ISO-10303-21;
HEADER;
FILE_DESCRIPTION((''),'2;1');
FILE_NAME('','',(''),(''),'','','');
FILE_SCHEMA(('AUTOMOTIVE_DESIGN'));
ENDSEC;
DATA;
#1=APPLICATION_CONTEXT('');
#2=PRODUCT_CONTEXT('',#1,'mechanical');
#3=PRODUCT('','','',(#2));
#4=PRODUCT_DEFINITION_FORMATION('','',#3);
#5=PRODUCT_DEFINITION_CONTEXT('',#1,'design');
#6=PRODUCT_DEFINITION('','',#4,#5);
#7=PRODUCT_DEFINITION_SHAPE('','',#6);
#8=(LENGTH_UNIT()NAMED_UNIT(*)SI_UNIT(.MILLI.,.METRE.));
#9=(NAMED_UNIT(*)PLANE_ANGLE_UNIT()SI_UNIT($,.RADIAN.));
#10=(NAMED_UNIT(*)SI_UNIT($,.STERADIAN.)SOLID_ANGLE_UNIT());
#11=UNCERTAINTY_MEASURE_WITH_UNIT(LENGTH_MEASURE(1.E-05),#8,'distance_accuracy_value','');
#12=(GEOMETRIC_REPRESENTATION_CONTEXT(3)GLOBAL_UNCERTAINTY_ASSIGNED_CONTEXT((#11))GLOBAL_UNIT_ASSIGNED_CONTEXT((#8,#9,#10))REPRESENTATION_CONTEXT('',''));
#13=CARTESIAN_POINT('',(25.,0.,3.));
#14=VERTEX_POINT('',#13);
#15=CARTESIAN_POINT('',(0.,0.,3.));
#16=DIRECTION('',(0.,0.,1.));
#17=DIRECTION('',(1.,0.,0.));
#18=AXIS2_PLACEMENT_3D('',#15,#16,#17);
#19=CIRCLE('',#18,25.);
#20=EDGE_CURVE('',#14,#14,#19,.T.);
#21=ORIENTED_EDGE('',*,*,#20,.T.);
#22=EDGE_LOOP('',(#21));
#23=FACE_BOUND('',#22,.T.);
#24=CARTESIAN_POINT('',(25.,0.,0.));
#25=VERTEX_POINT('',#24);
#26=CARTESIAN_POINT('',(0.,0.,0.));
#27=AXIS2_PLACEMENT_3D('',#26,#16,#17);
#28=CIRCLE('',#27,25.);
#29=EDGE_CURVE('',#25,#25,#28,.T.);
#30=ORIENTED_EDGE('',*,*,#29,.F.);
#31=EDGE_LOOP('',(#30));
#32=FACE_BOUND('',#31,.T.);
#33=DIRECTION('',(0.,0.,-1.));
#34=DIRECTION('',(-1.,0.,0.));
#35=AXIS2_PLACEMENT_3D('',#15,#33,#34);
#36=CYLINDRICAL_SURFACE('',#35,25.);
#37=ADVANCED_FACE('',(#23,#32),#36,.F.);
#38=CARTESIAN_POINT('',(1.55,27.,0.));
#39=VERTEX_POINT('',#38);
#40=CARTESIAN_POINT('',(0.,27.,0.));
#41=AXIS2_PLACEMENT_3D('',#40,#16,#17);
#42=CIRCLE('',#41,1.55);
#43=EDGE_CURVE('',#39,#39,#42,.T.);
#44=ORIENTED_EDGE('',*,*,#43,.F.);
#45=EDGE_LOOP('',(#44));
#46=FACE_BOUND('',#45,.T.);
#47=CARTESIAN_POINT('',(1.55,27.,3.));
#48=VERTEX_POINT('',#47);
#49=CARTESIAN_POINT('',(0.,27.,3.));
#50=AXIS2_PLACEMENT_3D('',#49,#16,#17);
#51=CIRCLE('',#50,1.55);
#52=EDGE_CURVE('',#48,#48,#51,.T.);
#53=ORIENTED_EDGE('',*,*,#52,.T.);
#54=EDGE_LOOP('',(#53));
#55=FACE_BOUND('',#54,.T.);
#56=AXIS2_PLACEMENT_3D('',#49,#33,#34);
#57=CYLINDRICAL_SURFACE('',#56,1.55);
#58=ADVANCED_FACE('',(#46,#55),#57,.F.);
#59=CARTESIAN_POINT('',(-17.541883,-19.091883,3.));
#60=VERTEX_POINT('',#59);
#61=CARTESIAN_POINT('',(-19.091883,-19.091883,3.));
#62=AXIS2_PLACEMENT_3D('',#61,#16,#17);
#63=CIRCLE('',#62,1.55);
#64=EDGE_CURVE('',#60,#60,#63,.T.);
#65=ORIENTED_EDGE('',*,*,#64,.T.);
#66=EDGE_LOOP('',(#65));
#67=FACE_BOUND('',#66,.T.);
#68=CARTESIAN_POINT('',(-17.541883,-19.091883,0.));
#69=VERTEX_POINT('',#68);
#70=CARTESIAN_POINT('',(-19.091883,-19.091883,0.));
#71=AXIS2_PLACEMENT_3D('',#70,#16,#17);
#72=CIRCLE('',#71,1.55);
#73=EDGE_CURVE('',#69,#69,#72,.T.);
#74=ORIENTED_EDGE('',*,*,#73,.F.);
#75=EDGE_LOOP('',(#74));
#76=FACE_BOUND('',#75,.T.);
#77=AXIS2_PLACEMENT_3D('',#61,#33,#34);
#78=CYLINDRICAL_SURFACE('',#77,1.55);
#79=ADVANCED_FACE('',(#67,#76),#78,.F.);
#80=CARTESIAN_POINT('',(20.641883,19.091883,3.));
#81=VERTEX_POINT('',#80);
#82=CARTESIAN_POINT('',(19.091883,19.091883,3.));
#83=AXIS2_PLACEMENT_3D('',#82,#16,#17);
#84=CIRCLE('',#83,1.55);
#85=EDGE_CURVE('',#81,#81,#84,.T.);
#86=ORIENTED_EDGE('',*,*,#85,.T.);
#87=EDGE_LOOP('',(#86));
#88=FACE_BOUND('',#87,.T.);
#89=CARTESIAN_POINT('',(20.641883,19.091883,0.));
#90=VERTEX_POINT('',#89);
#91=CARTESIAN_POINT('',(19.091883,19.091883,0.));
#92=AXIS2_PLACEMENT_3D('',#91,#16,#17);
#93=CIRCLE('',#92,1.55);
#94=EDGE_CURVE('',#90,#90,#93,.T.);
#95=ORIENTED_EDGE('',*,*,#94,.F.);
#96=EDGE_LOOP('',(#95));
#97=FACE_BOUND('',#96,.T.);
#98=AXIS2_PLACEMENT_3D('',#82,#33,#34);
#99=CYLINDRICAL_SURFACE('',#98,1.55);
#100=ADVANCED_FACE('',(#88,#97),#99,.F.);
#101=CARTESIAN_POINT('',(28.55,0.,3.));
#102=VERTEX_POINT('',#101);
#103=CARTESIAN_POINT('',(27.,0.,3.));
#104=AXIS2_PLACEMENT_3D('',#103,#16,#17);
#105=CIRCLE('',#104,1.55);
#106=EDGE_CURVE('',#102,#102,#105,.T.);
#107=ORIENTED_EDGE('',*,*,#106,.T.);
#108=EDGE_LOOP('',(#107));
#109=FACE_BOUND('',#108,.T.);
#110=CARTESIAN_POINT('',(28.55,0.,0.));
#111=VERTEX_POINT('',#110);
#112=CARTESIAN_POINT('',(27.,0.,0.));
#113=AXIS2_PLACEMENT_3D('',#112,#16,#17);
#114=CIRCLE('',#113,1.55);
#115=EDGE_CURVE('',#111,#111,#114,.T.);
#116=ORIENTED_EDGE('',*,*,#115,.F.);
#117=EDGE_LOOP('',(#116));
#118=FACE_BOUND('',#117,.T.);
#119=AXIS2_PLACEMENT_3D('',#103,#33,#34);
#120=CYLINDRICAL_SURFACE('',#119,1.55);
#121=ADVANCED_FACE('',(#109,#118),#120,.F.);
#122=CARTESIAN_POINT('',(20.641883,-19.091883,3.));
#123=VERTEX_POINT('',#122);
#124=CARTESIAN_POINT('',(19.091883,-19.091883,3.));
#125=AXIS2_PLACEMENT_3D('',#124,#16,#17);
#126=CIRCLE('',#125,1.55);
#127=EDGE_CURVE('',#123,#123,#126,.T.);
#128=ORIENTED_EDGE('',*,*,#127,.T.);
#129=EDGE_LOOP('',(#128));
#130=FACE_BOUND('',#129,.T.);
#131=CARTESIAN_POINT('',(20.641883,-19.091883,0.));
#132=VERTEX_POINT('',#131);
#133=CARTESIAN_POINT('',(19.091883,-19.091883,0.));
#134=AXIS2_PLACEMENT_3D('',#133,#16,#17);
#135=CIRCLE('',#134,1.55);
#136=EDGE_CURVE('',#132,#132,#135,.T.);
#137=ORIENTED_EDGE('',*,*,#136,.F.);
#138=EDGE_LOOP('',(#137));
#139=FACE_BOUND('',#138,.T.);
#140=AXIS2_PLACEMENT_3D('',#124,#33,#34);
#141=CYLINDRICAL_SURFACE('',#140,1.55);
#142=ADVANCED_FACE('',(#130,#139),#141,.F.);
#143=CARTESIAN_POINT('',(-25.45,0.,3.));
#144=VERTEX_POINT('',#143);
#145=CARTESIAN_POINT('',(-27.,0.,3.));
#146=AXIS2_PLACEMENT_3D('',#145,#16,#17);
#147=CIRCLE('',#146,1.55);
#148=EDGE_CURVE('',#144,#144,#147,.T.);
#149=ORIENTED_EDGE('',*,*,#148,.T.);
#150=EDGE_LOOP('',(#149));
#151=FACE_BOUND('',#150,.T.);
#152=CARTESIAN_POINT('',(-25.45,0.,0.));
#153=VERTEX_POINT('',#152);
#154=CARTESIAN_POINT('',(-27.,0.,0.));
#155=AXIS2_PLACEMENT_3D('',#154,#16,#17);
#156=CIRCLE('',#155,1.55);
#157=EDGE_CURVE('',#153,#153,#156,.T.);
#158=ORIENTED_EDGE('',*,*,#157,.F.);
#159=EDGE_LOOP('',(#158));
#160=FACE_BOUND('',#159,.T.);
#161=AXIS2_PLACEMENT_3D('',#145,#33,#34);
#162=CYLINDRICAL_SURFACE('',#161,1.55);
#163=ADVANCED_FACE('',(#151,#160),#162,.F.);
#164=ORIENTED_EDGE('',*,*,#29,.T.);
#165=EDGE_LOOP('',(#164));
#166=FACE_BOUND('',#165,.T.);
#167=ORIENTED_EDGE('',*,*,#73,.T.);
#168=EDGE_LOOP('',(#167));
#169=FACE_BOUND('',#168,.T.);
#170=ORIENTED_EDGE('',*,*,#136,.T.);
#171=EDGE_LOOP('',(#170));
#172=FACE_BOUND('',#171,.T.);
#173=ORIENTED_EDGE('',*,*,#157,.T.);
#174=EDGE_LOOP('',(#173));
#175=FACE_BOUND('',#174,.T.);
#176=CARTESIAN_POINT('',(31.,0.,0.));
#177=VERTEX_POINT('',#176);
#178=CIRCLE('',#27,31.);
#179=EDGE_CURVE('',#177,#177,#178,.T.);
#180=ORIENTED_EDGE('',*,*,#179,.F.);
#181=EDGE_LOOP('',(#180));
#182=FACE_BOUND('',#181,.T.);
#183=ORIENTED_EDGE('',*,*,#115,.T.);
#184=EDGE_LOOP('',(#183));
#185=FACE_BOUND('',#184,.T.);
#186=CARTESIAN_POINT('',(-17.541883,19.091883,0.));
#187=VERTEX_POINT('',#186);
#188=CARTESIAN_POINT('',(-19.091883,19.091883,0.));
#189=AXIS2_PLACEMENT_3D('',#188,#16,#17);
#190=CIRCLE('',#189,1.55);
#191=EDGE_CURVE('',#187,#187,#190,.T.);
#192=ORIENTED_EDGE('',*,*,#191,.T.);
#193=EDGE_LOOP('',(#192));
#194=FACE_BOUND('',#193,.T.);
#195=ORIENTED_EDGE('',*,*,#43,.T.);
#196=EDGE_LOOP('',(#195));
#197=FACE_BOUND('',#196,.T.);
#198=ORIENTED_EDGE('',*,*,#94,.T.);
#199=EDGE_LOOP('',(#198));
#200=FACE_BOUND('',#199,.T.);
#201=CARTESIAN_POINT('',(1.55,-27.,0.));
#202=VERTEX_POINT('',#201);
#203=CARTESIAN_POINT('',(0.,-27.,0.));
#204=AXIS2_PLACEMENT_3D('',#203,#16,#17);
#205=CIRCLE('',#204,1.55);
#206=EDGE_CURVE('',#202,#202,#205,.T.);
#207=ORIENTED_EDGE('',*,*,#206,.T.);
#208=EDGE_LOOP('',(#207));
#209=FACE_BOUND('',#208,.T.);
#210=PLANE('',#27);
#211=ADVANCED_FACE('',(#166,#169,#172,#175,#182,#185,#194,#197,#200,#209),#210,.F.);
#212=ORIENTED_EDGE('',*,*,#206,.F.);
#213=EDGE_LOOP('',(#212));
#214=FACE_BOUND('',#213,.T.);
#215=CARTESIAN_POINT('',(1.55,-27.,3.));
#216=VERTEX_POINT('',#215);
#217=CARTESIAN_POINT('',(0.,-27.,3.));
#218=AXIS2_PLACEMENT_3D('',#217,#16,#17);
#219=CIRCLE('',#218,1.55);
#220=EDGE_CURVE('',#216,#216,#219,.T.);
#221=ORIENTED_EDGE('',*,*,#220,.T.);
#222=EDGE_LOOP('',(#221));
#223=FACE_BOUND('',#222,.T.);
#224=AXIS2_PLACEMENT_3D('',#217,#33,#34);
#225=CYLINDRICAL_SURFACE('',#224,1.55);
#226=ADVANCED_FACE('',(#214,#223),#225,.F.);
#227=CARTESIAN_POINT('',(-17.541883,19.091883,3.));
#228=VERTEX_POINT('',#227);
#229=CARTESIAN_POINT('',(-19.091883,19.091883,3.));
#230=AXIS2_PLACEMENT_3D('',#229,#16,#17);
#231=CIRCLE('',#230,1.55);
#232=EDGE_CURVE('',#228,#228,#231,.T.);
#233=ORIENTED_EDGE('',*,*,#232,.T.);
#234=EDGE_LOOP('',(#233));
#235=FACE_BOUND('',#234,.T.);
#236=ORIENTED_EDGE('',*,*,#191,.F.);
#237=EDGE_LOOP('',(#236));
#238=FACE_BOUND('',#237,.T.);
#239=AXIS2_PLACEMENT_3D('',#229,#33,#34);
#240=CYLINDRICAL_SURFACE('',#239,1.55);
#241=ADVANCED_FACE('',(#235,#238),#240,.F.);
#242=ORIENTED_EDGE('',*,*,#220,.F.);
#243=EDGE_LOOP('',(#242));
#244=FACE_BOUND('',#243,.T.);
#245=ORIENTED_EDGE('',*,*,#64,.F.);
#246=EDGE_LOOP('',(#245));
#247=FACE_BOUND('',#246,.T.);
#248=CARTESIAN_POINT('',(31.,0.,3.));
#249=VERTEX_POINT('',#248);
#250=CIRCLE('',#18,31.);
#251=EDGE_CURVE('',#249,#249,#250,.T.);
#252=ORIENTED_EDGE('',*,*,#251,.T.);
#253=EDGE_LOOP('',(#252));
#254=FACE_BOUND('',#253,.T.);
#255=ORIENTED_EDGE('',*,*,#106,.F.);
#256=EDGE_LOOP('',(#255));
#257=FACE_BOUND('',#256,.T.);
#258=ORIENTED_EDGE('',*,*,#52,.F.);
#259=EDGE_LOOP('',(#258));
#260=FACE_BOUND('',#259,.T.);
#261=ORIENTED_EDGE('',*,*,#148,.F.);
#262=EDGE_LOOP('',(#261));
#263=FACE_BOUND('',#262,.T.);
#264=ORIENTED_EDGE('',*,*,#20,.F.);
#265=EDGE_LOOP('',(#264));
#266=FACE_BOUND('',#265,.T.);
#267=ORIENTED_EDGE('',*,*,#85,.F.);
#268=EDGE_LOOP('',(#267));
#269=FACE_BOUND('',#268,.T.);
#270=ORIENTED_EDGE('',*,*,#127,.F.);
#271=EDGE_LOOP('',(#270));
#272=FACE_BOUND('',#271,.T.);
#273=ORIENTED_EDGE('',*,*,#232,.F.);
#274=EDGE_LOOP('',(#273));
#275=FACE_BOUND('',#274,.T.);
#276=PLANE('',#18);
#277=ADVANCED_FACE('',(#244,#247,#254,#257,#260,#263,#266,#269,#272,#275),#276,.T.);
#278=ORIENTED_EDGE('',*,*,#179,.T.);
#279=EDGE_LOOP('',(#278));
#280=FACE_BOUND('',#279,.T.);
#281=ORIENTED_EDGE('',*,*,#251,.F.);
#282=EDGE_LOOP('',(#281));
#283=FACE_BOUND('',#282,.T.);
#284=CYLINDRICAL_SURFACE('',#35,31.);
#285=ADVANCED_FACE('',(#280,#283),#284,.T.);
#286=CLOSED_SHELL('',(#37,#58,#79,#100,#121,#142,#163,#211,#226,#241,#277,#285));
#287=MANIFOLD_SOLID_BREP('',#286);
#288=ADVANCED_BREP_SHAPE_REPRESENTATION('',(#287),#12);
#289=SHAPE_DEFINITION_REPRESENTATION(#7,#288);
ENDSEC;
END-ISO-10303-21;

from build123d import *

# Parameters (mm, degrees)
SKETCH1_R           = 31
SKETCH1_R_2         = 1.55
SKETCH1_R_3         = 25
BOSS_EXTRUDE1_DEPTH = 3


with BuildPart() as part:
    # Sketch1 → Boss-Extrude1 (new body)
    with BuildSketch(Plane.XY):
        Circle(SKETCH1_R)
        with Locations((-27, 0)):
            Circle(SKETCH1_R_2, mode=Mode.SUBTRACT)
        with Locations((-19.091883092, 19.091883092)):
            Circle(SKETCH1_R_2, mode=Mode.SUBTRACT)
        with Locations((0, 27)):
            Circle(SKETCH1_R_2, mode=Mode.SUBTRACT)
        with Locations((19.091883092, 19.091883092)):
            Circle(SKETCH1_R_2, mode=Mode.SUBTRACT)
        with Locations((27, 0)):
            Circle(SKETCH1_R_2, mode=Mode.SUBTRACT)
        with Locations((19.091883092, -19.091883092)):
            Circle(SKETCH1_R_2, mode=Mode.SUBTRACT)
        with Locations((0, -27)):
            Circle(SKETCH1_R_2, mode=Mode.SUBTRACT)
        with Locations((-19.091883092, -19.091883092)):
            Circle(SKETCH1_R_2, mode=Mode.SUBTRACT)
        Circle(SKETCH1_R_3, mode=Mode.SUBTRACT)
    extrude(amount=BOSS_EXTRUDE1_DEPTH)


solid = part.part
